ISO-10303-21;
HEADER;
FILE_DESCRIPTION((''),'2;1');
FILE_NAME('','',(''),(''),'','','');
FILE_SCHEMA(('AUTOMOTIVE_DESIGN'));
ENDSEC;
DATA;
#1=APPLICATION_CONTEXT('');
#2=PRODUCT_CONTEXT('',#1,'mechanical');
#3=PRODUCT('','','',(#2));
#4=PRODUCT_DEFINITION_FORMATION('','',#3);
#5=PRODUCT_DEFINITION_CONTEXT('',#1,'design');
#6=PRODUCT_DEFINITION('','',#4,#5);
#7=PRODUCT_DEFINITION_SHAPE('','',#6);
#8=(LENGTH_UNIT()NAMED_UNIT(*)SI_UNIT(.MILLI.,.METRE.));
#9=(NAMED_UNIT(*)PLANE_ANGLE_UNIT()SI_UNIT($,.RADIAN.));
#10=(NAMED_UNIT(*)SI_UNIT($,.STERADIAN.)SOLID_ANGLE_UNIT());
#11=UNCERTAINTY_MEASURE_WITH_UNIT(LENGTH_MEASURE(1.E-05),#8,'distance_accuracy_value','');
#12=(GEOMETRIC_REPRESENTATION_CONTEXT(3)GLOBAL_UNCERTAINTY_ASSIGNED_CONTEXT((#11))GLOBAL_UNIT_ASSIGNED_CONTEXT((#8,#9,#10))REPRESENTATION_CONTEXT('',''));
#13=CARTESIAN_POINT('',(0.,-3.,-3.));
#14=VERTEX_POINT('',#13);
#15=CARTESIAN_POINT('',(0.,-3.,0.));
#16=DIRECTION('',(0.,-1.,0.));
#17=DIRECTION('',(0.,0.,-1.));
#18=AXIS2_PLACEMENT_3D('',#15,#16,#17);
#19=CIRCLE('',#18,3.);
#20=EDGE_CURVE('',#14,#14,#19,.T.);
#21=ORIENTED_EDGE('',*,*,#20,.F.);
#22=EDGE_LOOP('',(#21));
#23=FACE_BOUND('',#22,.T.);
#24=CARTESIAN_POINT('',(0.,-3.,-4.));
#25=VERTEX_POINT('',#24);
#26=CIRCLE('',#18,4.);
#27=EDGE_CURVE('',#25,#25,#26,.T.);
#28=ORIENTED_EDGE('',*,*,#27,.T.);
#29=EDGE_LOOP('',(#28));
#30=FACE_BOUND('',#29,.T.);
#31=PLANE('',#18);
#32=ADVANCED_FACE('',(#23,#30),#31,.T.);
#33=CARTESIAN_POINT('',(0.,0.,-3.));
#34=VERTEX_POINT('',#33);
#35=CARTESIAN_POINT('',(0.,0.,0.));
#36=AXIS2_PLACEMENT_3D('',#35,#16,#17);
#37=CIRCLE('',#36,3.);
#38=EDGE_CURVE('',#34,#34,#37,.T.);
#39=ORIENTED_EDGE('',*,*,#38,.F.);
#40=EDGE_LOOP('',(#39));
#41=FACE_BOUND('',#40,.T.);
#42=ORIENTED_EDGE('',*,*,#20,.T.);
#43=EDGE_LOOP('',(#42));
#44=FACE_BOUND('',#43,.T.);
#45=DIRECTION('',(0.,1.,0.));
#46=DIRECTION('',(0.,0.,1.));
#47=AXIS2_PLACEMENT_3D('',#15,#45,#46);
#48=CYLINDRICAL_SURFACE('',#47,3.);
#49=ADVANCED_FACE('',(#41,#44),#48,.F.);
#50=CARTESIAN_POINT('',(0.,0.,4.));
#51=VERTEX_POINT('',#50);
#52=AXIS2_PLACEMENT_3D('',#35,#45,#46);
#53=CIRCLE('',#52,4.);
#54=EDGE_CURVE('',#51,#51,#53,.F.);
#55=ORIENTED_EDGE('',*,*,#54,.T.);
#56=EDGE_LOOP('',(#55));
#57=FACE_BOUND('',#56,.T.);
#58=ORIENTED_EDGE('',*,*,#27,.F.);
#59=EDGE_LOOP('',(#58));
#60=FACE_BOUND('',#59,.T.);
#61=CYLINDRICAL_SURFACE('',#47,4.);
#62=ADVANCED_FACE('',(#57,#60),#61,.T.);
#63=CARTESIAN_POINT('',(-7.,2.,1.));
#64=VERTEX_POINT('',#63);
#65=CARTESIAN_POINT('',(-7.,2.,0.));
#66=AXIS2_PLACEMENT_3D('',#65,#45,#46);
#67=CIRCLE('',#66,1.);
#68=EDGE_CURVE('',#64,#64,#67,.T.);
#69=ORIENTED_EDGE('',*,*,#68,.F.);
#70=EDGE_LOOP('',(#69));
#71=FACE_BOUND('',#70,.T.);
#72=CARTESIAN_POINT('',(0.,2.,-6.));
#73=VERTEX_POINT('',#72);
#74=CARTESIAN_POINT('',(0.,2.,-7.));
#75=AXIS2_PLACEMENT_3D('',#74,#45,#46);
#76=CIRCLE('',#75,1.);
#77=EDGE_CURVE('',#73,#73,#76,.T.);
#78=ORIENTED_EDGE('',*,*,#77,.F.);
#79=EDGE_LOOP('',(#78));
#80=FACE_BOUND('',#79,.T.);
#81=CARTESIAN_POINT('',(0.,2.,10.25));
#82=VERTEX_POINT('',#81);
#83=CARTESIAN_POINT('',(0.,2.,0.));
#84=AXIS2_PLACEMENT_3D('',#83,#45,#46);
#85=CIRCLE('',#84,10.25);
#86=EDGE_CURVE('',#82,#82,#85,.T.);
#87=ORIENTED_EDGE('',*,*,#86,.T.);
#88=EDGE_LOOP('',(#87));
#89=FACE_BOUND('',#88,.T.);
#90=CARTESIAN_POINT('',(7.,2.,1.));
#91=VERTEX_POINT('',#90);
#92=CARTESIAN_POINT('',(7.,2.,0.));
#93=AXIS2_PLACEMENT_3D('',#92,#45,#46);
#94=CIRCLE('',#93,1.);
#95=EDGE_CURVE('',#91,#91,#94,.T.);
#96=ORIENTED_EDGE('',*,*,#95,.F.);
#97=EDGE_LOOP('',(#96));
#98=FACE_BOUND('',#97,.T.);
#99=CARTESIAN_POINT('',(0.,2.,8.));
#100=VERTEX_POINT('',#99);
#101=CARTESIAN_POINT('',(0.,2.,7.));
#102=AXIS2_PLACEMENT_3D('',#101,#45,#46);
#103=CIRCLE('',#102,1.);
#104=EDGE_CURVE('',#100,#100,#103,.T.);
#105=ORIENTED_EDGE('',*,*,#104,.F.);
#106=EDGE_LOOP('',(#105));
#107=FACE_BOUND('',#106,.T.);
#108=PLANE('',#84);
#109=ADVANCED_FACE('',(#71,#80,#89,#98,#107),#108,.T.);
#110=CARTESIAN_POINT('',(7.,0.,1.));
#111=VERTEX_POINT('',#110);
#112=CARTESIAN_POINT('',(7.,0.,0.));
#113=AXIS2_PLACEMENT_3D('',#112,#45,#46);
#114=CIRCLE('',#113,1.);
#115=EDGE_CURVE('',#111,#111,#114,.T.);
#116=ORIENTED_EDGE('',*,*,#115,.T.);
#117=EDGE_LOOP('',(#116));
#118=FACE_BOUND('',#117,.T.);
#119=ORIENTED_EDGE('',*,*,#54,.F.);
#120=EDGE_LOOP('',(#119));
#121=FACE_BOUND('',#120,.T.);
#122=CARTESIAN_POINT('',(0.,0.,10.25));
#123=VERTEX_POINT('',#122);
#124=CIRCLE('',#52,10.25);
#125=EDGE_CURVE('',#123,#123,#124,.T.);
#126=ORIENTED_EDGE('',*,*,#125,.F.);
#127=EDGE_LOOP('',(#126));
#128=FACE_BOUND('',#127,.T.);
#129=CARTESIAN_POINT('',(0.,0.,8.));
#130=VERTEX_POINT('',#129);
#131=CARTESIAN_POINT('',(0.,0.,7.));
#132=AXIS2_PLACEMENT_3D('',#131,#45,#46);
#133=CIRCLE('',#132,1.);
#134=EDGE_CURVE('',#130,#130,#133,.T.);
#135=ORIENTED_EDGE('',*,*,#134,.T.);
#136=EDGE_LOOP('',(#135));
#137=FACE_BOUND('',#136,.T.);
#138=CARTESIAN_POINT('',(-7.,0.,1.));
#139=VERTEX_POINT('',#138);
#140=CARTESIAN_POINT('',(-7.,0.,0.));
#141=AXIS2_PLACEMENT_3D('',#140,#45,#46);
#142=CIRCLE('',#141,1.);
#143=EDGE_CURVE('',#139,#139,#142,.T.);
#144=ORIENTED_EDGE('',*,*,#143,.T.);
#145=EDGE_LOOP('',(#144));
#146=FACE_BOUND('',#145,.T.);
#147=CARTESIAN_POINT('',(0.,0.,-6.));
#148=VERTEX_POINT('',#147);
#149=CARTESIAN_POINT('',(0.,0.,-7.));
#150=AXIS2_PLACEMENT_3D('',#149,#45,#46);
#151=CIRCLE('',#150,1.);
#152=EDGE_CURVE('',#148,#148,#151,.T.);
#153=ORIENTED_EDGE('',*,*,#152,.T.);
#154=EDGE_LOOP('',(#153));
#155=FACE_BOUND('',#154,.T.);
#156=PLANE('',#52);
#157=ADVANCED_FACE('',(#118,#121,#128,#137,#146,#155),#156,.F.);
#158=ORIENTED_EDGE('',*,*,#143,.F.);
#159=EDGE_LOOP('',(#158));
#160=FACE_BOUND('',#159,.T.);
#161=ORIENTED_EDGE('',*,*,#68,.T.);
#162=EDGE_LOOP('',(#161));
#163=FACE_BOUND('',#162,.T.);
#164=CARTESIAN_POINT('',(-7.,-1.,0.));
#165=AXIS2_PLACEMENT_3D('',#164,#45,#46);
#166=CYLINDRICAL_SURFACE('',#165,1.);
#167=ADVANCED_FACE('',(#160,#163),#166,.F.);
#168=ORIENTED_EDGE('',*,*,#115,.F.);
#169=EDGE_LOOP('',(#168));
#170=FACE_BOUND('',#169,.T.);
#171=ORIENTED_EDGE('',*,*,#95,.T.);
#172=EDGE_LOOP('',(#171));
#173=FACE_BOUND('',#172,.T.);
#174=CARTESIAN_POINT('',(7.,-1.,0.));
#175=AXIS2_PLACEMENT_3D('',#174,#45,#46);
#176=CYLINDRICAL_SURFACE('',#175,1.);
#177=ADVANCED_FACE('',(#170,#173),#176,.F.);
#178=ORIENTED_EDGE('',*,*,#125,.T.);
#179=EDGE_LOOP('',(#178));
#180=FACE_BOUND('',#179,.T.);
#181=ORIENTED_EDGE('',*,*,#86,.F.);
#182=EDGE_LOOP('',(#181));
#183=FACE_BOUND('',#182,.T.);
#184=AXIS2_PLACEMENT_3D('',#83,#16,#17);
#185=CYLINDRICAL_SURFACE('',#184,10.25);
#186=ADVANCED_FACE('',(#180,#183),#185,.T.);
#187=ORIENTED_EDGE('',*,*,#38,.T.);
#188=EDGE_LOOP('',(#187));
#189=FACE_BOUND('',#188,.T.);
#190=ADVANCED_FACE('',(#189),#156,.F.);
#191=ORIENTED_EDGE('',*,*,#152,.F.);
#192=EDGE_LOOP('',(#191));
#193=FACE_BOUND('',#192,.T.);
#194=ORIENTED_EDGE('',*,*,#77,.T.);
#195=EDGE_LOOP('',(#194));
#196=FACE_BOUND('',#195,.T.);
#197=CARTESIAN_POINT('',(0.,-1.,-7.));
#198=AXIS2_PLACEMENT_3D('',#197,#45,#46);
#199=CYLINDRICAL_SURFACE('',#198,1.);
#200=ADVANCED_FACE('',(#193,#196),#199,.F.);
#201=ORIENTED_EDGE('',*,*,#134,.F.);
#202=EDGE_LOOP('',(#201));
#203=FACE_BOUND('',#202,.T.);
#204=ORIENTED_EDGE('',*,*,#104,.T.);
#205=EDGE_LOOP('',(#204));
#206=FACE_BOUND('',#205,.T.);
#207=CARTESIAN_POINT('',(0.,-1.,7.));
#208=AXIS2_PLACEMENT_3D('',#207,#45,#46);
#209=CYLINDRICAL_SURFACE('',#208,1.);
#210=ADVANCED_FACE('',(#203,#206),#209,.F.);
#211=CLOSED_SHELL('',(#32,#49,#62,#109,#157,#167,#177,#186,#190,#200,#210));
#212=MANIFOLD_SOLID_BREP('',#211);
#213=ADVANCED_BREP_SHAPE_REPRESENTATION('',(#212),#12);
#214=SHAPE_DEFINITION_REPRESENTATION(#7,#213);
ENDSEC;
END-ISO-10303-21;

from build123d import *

# Parameters (mm, degrees)
SKETCH_1_R          = 10.25
EXTRUDE_1_DEPTH     = 2
SKETCH_2_R          = 4
SKETCH_2_R_2        = 3
EXTRUDE_2_DEPTH     = 3
SKETCH_4_R          = 1
CUT_EXTRUDE_1_DEPTH = 3


with BuildPart() as part:
    # 草图1 → 凸台-拉伸1 (new body)
    with BuildSketch(Plane(origin=(0, 0, 0), x_dir=(1, 0, 0), z_dir=(0, 1, 0))):
        Circle(SKETCH_1_R)
    extrude(amount=EXTRUDE_1_DEPTH)

    # 草图2 → 凸台-拉伸2 (add)
    with BuildSketch(Plane.XZ):
        Circle(SKETCH_2_R)
        Circle(SKETCH_2_R_2, mode=Mode.SUBTRACT)
    extrude(amount=EXTRUDE_2_DEPTH)

    # 草图4 → 切除-拉伸1 (cut)
    with BuildSketch(Plane(origin=(0, 2, 0), x_dir=(1, 0, 0), z_dir=(0, 1, 0))):
        with Locations((-7, 0)):
            Circle(SKETCH_4_R)
        with Locations((0, 7)):
            Circle(SKETCH_4_R)
        with Locations((7, 0)):
            Circle(SKETCH_4_R)
        with Locations((0, -7)):
            Circle(SKETCH_4_R)
    extrude(amount=-CUT_EXTRUDE_1_DEPTH, mode=Mode.SUBTRACT)


solid = part.part
